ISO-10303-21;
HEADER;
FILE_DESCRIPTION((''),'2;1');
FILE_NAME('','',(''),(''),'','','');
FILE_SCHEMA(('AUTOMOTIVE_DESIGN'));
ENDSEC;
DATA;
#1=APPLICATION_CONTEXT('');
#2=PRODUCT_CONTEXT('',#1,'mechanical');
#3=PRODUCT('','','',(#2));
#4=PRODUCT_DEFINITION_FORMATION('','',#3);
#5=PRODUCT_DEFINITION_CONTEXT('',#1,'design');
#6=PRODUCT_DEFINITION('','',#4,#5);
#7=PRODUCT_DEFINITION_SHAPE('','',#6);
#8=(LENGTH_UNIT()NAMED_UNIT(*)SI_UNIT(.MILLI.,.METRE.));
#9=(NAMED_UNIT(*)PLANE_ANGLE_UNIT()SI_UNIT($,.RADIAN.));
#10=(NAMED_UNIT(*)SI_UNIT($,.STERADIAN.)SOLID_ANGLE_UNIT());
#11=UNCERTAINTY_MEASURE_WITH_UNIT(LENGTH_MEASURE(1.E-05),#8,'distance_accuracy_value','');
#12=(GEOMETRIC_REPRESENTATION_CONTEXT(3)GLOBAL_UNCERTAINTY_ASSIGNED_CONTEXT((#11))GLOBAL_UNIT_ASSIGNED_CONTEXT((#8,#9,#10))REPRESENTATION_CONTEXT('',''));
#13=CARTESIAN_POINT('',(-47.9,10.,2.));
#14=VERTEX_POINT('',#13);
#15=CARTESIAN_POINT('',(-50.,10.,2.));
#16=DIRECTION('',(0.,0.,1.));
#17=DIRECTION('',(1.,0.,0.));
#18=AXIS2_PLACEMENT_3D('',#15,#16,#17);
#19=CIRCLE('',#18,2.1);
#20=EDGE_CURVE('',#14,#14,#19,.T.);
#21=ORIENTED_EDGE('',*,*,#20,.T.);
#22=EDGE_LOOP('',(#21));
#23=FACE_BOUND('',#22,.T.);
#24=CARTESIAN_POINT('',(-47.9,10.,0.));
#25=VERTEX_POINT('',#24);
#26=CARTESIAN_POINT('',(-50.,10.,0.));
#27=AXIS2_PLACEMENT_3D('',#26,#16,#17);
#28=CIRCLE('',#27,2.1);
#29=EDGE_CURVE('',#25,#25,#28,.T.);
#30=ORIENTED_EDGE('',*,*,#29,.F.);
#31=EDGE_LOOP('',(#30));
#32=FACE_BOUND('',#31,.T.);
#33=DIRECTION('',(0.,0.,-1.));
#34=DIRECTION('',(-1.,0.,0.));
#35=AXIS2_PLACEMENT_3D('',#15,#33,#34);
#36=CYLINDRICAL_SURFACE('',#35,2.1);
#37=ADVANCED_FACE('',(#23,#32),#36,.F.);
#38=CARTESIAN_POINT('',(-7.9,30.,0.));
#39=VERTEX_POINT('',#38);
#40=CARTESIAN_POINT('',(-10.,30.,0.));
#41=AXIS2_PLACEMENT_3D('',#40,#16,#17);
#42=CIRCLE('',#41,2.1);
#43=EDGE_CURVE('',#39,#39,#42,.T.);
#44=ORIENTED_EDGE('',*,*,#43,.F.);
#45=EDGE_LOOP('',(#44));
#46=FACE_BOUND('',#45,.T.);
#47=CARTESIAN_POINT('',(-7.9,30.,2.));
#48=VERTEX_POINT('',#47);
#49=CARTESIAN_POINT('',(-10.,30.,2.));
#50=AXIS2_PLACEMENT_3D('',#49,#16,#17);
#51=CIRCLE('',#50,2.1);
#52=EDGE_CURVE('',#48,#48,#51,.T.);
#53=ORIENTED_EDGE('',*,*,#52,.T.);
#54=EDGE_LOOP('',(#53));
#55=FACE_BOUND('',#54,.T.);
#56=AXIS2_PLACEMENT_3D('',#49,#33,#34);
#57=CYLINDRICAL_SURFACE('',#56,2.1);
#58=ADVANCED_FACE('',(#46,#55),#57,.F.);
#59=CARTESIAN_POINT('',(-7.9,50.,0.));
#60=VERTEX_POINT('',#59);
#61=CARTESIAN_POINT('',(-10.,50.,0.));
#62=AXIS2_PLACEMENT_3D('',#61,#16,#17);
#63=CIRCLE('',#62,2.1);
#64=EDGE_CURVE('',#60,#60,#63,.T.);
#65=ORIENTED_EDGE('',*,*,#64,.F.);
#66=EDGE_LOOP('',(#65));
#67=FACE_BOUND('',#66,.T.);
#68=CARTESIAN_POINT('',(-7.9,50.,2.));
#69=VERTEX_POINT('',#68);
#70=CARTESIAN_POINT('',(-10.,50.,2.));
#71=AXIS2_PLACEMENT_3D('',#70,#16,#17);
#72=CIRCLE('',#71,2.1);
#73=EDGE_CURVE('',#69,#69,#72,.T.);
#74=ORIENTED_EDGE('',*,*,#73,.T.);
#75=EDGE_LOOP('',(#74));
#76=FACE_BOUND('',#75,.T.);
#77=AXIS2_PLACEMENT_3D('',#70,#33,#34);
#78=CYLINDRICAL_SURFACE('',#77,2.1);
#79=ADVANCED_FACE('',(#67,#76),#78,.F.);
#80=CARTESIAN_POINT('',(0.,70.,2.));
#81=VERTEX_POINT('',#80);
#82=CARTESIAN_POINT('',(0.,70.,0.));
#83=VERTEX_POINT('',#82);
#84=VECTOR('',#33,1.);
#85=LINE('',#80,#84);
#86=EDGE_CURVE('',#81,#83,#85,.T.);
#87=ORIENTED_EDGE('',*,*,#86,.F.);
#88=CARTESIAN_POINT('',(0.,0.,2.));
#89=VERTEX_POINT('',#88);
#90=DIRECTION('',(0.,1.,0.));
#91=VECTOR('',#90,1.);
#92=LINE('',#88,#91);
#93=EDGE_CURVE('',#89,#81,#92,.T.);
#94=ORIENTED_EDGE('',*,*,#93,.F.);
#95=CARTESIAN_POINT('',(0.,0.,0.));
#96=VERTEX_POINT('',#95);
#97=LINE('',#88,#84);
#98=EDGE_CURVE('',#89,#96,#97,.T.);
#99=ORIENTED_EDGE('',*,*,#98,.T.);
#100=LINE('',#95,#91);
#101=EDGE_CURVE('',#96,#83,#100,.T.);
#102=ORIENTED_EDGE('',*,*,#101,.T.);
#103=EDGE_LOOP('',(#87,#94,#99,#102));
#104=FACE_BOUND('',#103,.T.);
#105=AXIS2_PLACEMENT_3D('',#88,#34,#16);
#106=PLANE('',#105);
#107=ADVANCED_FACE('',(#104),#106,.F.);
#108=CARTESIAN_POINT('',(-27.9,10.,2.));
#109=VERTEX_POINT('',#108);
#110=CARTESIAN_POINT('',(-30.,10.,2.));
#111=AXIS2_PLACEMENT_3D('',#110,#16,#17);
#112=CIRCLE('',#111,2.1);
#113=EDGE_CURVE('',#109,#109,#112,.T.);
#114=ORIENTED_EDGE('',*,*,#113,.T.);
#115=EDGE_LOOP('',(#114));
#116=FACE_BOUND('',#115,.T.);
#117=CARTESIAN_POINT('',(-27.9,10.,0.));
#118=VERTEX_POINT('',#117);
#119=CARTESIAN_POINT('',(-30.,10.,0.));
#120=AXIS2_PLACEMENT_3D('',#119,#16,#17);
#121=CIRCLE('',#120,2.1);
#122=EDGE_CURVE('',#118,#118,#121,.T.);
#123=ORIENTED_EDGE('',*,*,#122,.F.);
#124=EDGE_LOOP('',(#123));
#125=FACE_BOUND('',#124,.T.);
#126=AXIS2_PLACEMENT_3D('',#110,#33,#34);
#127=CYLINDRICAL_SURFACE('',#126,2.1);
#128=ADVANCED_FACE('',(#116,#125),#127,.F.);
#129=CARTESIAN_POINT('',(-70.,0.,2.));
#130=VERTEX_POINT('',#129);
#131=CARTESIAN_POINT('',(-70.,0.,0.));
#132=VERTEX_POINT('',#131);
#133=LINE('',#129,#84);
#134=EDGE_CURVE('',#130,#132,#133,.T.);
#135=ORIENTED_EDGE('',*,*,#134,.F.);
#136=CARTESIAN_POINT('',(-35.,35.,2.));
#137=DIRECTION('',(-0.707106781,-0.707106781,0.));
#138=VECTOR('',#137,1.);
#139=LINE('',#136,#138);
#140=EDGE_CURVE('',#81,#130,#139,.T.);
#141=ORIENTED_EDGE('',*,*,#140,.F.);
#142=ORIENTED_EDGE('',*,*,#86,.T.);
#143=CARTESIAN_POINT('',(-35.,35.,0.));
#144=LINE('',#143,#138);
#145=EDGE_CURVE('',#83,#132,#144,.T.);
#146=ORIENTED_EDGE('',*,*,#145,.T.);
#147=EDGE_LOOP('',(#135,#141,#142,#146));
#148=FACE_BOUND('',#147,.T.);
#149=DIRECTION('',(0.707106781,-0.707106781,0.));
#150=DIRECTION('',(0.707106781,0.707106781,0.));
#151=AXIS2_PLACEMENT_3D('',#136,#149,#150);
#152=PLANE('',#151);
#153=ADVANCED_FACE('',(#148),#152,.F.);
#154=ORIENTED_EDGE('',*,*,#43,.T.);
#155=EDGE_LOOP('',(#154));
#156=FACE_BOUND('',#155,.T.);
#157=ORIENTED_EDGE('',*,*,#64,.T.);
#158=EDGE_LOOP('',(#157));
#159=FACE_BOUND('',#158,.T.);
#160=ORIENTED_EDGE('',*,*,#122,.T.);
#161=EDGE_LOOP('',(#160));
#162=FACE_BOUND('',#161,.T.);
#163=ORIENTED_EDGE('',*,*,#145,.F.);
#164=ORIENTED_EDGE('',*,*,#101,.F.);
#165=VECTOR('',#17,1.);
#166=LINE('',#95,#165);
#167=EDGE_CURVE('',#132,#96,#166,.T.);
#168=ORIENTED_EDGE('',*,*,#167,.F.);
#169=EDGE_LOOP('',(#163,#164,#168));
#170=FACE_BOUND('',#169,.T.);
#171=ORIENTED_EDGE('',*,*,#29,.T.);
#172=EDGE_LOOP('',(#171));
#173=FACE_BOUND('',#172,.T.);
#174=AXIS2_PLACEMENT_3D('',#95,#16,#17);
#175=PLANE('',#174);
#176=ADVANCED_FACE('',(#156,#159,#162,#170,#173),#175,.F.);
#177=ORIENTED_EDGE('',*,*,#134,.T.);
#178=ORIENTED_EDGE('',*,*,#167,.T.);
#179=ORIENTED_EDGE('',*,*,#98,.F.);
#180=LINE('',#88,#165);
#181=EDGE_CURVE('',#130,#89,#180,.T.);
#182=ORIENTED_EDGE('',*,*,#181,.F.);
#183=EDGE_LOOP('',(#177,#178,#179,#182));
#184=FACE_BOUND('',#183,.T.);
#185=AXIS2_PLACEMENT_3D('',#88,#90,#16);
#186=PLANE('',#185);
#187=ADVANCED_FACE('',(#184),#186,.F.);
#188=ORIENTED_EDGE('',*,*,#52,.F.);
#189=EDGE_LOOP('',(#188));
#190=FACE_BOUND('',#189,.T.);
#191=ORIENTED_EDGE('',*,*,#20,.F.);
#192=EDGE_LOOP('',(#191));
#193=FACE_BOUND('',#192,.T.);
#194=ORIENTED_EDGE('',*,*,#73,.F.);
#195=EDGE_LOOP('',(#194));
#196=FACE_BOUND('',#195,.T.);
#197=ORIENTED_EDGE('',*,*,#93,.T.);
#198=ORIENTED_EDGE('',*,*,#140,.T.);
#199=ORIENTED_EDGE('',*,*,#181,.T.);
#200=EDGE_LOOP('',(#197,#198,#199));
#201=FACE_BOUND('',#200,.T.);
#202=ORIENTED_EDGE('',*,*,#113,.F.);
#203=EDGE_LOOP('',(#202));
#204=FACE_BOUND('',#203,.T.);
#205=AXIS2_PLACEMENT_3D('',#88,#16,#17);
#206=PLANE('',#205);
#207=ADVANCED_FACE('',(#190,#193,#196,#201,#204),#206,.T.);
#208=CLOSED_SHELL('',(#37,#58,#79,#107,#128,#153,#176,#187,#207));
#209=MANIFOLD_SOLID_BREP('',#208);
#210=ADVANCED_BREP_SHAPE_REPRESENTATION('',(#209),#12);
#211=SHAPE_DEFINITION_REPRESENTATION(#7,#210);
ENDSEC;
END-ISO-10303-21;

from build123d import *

# Parameters (mm, degrees)
SKETCH_1_R      = 2.1
EXTRUDE_1_DEPTH = 2


with BuildPart() as part:
    # ｽｹｯﾁ1 → ﾎﾞｽ - 押し出し1 (new body)
    with BuildSketch(Plane.XY):
        Polygon((0, 0), (0, 70), (-70, 0), align=None)
        with Locations((-50, 10)):
            Circle(SKETCH_1_R, mode=Mode.SUBTRACT)
        with BuildLine():
            ThreePointArc((-27.9, 10), (-30, 7.9), (-32.1, 10))
            ThreePointArc((-32.1, 10), (-30, 12.1), (-27.9, 10))
        make_face(mode=Mode.SUBTRACT)
        with BuildLine():
            ThreePointArc((-10, 32.1), (-7.9, 30), (-10, 27.9))
            ThreePointArc((-10, 27.9), (-12.1, 30), (-10, 32.1))
        make_face(mode=Mode.SUBTRACT)
        with Locations((-10, 50)):
            Circle(SKETCH_1_R, mode=Mode.SUBTRACT)
    extrude(amount=EXTRUDE_1_DEPTH)


solid = part.part
